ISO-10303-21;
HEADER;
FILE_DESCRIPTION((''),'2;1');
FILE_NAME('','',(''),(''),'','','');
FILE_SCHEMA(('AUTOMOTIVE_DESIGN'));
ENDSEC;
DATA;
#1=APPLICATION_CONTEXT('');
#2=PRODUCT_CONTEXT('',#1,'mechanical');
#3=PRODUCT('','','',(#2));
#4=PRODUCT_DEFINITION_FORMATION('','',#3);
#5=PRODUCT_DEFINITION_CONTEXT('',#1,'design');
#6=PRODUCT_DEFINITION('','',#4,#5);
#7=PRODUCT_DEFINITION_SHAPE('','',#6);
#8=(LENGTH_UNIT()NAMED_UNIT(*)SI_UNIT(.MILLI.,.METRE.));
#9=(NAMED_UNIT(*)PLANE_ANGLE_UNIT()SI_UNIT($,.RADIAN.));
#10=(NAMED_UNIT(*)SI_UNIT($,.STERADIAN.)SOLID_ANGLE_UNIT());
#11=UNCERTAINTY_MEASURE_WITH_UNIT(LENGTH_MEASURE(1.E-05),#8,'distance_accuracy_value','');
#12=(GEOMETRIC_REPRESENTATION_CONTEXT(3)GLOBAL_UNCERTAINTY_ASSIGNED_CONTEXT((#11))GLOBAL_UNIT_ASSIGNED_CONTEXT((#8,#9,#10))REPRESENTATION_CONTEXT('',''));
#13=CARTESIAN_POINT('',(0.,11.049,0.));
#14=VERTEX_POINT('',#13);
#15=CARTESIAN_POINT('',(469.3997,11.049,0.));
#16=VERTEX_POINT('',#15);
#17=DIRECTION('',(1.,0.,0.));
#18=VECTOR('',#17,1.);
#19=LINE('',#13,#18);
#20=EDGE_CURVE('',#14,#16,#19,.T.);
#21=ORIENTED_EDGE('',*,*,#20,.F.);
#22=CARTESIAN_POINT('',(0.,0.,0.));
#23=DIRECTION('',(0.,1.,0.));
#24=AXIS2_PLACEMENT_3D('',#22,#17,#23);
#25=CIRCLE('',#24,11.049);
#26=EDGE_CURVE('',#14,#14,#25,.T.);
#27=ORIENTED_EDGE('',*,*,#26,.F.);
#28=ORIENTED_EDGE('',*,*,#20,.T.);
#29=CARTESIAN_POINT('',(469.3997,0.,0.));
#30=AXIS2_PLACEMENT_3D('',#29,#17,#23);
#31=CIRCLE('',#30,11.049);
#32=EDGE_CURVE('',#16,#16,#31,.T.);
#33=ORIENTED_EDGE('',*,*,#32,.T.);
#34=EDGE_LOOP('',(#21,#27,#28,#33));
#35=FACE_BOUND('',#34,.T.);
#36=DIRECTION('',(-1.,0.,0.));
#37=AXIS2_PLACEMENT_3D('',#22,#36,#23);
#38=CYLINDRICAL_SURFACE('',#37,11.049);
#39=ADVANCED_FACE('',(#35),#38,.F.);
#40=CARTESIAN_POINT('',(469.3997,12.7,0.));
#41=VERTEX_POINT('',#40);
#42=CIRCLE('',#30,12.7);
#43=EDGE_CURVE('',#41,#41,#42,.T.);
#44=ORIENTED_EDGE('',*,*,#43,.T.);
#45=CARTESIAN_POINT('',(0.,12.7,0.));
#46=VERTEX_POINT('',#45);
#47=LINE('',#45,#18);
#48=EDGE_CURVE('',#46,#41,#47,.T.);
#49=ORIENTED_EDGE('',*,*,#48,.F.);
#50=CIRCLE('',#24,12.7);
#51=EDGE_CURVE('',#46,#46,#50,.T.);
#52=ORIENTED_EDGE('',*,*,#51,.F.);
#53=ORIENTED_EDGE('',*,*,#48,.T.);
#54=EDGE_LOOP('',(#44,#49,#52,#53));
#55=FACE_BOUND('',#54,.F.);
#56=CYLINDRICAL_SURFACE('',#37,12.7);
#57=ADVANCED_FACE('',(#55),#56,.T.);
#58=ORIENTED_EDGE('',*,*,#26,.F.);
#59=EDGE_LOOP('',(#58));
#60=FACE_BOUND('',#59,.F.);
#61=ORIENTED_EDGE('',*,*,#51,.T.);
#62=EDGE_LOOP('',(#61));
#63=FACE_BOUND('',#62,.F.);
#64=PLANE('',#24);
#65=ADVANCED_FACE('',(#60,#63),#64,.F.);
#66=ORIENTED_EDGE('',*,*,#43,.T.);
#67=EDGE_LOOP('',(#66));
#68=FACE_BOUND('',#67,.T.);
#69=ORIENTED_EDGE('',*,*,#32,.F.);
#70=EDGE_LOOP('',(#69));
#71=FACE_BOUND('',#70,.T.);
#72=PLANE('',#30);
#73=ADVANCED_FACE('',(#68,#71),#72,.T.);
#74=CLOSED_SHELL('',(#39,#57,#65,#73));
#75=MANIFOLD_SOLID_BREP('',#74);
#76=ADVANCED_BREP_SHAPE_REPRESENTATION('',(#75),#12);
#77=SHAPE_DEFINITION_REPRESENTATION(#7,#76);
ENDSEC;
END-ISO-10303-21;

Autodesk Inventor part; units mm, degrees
ref_plane "XZ Plane" through (0, 0, 0) normal (0, 1, 0) x (-1, 0, 0)
ref_plane "Start Plane" through (0, 0, 0) normal (1, 0, 0) x (0, 1, 0)
ref_plane "End Plane" through (469.3997, 0, 0) normal (1, 0, 0) x (0, 1, 0)
sketch "Sketch" plane through (0, 0, 0) normal (1, 0, 0) x (0, 1, 0)
  circle A0 centre (0, 0) radius 12.7
  circle A1 centre (0, 0) radius 11.049
  dimension "d0" = 25.4
  dimension "d1" = 1.651
extrude "Body" add sketch "Sketch" along normal up to surface (469.3997 mm away) from surface at 0
sketch "Sketch2" plane through (0, 0, 0) normal (1, 0, 0) x (0, 1, 0)
  line L0 (0, 0) -> (10, 0)
ref_plane "Work Plane3" through (0, 0, 0) normal (0, 0, -1) x (0, 1, 0)
sketch "Sketch3" plane through (0, 0, 0) normal (0, 0, -1) x (0, 1, 0)
  line L0 (-2, 0) -> (12, 0)
  line L1 (-2, 469.3997) -> (12, 469.3997)
  dimension "d9" = 469.3997
equation "\"G_OFFSET_START\" = 0"
equation "\"G_OFFSET_END\" = 0"
equation "\"d5\" = d2 + G_OFFSET_END"
equation "\"G_L\" = d9"
equation "\"d2\" = 469.399725"
properties part number "4130_1x0.065" material "Steel, Alloy"
